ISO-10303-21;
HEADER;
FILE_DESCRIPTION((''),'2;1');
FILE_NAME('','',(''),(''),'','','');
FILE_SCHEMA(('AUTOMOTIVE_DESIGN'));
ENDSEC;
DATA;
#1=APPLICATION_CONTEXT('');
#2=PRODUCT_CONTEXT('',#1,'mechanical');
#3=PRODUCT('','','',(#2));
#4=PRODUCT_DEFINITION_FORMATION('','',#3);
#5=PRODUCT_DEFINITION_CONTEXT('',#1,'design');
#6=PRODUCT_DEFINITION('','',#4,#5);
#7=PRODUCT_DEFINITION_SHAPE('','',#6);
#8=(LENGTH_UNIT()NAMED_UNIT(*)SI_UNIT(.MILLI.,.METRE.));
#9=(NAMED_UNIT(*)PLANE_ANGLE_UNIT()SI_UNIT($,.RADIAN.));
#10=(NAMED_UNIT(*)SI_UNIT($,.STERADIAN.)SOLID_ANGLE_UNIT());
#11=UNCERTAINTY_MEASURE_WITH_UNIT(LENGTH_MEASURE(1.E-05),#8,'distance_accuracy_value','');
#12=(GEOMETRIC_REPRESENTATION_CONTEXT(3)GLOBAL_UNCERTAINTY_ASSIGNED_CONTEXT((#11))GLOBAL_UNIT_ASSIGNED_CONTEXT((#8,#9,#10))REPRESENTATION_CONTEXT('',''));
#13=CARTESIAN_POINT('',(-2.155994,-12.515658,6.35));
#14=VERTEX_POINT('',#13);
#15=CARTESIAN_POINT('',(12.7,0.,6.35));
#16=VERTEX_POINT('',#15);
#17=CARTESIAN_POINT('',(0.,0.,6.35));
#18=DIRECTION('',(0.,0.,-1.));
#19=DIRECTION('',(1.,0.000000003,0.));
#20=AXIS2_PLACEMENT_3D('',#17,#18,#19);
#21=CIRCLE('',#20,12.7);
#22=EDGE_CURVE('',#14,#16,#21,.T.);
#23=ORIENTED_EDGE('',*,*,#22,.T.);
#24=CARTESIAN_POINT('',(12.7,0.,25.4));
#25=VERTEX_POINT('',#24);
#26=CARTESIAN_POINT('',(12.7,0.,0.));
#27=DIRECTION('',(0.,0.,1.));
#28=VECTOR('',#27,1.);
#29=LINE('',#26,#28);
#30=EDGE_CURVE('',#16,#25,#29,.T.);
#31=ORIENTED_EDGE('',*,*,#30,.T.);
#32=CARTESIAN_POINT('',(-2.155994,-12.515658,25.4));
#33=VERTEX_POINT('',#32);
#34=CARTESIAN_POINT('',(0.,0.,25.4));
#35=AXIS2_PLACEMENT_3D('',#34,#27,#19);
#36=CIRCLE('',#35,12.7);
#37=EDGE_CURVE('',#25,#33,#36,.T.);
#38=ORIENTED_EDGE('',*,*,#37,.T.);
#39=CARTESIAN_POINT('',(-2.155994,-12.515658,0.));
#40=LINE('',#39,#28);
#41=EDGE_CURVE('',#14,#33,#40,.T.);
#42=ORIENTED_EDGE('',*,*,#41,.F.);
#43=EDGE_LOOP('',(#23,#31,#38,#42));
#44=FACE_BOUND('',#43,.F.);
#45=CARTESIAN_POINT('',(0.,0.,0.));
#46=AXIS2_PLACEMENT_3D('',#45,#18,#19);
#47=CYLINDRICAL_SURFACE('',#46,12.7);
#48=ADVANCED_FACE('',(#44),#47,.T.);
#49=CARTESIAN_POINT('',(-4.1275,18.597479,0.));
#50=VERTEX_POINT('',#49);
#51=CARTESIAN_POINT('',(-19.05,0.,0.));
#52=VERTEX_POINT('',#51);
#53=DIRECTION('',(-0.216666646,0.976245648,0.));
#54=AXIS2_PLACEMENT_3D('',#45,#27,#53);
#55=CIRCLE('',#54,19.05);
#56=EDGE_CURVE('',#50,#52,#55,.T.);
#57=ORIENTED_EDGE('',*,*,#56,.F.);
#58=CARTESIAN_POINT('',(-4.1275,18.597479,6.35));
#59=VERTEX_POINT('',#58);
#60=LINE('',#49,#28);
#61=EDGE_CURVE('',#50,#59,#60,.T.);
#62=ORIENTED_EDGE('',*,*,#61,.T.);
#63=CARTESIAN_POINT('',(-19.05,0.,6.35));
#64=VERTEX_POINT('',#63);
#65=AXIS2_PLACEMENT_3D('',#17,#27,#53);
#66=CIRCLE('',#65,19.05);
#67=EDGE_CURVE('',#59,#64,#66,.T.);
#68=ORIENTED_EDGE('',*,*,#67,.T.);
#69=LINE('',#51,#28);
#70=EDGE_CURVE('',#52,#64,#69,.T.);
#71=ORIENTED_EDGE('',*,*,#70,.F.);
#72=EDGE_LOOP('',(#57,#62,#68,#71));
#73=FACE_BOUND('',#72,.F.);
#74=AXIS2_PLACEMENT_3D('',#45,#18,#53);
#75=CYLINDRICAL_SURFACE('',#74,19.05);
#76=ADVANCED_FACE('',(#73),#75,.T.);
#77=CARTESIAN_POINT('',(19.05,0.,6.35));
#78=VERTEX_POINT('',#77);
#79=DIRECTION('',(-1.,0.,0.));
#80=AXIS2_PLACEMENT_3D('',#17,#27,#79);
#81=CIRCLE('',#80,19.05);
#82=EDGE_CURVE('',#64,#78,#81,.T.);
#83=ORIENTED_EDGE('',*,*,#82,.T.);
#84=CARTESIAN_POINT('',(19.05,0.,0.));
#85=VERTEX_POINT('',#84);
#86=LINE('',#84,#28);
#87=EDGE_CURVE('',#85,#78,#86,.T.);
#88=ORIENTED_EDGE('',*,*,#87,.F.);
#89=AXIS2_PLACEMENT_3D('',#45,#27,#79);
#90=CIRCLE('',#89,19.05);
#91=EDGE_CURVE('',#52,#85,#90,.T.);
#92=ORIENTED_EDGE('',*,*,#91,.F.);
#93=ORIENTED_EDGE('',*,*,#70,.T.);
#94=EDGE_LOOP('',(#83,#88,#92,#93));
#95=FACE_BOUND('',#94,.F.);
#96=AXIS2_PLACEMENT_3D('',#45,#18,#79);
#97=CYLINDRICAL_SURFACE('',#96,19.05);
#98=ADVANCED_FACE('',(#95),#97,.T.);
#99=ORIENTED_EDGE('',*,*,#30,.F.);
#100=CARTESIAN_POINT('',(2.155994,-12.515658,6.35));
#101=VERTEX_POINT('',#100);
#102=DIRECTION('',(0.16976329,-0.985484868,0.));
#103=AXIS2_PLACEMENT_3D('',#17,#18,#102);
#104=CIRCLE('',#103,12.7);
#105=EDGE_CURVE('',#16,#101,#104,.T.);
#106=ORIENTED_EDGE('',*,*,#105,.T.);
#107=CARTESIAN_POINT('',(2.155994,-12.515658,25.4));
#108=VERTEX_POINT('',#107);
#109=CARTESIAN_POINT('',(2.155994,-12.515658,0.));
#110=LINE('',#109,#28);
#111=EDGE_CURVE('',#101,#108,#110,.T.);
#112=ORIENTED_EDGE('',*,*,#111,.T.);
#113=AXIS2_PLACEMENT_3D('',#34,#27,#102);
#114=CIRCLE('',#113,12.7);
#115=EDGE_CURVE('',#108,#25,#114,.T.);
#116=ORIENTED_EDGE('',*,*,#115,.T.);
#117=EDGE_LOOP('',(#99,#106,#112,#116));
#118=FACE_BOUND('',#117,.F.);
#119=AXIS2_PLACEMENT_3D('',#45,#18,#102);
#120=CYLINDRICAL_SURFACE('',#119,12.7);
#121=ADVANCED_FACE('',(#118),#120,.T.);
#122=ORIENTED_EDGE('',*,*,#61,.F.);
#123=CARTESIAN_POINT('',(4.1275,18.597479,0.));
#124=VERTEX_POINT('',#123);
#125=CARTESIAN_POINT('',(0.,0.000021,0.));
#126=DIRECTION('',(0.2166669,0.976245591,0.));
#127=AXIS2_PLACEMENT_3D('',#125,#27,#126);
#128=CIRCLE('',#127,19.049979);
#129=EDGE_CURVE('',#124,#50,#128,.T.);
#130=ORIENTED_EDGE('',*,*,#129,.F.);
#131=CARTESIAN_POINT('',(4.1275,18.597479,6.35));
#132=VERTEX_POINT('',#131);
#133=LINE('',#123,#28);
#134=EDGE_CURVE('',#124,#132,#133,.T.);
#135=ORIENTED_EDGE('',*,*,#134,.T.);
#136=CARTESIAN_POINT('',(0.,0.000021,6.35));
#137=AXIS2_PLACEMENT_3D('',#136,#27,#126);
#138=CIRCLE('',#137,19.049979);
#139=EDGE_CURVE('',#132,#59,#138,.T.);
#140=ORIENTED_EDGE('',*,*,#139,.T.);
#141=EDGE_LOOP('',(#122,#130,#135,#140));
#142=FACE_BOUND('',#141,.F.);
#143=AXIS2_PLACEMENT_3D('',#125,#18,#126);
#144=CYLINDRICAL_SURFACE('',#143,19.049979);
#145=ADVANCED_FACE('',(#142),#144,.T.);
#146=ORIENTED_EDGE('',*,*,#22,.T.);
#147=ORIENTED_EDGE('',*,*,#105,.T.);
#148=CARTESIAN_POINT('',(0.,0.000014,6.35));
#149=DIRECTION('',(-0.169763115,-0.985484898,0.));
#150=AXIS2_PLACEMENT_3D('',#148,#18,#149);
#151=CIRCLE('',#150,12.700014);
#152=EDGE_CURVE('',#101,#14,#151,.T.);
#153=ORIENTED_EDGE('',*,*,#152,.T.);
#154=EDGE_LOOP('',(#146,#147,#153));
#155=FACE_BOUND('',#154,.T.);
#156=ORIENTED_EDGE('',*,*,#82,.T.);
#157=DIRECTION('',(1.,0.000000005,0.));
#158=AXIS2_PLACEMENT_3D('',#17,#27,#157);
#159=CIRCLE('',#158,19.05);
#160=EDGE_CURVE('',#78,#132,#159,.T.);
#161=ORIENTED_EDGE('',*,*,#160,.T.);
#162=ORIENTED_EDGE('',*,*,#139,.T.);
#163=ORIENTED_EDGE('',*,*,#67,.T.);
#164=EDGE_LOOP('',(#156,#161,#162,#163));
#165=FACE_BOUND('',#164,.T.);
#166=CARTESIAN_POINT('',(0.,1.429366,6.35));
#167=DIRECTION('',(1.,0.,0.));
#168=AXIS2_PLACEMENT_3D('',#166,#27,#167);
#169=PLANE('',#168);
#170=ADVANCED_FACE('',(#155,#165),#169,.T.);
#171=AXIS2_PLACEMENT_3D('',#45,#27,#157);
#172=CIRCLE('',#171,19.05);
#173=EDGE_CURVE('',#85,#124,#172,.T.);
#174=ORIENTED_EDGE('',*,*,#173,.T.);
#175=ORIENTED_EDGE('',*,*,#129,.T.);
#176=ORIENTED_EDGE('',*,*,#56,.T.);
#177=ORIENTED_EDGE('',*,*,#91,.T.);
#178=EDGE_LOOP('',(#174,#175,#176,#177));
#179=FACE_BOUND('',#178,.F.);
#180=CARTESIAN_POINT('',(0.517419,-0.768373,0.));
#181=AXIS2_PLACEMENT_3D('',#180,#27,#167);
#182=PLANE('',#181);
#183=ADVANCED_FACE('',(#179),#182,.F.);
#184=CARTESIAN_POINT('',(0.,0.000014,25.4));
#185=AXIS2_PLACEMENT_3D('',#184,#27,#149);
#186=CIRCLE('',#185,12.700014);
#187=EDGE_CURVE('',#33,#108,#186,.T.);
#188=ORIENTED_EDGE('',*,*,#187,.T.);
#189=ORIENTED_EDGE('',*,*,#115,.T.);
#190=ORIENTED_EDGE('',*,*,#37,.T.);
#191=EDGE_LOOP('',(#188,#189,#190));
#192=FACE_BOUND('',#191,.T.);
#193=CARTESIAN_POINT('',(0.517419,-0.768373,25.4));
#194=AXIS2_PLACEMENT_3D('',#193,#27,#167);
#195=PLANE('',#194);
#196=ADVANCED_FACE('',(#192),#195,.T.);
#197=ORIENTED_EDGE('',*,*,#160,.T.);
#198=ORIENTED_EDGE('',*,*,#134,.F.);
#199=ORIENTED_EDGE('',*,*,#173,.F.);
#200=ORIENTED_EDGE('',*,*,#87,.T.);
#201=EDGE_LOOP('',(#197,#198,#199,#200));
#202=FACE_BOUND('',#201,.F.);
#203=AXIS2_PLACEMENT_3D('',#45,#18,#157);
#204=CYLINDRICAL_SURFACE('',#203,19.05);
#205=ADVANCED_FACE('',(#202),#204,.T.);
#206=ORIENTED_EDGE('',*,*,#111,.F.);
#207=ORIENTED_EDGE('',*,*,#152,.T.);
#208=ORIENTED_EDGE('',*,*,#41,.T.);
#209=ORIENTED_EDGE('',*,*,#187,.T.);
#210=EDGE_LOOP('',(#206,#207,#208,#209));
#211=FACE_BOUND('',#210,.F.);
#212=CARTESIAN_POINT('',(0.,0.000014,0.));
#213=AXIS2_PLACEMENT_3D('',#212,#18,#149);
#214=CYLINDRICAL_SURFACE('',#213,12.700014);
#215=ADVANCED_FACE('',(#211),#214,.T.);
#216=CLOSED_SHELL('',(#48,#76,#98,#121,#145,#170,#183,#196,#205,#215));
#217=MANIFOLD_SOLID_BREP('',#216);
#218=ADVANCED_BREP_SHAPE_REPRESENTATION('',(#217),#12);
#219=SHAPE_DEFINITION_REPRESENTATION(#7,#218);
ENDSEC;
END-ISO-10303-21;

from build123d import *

# Parameters (mm, degrees)
F1_DEPTH = 6.35
F3_DEPTH = 25.4


with BuildPart() as f1:
    # F0 (on Top) → F1 (new body)
    with BuildSketch(Plane.XY):
        with BuildLine():
            ThreePointArc((-19.05, 0), (0, -19.05), (19.05, 0))
            ThreePointArc((19.05, 0), (14.858186, 11.922114), (4.1275, 18.597479))
            Line((4.1275, 18.597479), (1.755614, 12.578069))
            ThreePointArc((1.755614, 12.578069), (0, 11.382858), (-1.755614, 12.578069))
            Line((-1.755614, 12.578069), (-4.1275, 18.597479))
            ThreePointArc((-4.1275, 18.597479), (-14.858186, 11.922114), (-19.05, 0))
        make_face()
        with BuildLine():
            Line((1.755614, 12.578069), (4.1275, 18.597479))
            ThreePointArc((4.1275, 18.597479), (0, 19.05), (-4.1275, 18.597479))
            Line((-4.1275, 18.597479), (-1.755614, 12.578069))
            ThreePointArc((-1.755614, 12.578069), (0, 11.382858), (1.755614, 12.578069))
        make_face()
    extrude(amount=F1_DEPTH)

    # F2 (on face) → F3 (join)
    with BuildSketch(Plane.XY):
        with BuildLine():
            ThreePointArc((2.155994, -12.515658), (9.71265, -8.182569), (12.7, 0))
            ThreePointArc((12.7, 0), (-8.182569, 9.71265), (-2.155994, -12.515658))
            ThreePointArc((-2.155994, -12.515658), (0, -10.894275), (2.155994, -12.515658))
        make_face()
        with BuildLine():
            ThreePointArc((2.155994, -12.515658), (0, -10.894275), (-2.155994, -12.515658))
            ThreePointArc((-2.155994, -12.515658), (0, -12.7), (2.155994, -12.515658))
        make_face()
    extrude(amount=F3_DEPTH)


solid = f1.part
